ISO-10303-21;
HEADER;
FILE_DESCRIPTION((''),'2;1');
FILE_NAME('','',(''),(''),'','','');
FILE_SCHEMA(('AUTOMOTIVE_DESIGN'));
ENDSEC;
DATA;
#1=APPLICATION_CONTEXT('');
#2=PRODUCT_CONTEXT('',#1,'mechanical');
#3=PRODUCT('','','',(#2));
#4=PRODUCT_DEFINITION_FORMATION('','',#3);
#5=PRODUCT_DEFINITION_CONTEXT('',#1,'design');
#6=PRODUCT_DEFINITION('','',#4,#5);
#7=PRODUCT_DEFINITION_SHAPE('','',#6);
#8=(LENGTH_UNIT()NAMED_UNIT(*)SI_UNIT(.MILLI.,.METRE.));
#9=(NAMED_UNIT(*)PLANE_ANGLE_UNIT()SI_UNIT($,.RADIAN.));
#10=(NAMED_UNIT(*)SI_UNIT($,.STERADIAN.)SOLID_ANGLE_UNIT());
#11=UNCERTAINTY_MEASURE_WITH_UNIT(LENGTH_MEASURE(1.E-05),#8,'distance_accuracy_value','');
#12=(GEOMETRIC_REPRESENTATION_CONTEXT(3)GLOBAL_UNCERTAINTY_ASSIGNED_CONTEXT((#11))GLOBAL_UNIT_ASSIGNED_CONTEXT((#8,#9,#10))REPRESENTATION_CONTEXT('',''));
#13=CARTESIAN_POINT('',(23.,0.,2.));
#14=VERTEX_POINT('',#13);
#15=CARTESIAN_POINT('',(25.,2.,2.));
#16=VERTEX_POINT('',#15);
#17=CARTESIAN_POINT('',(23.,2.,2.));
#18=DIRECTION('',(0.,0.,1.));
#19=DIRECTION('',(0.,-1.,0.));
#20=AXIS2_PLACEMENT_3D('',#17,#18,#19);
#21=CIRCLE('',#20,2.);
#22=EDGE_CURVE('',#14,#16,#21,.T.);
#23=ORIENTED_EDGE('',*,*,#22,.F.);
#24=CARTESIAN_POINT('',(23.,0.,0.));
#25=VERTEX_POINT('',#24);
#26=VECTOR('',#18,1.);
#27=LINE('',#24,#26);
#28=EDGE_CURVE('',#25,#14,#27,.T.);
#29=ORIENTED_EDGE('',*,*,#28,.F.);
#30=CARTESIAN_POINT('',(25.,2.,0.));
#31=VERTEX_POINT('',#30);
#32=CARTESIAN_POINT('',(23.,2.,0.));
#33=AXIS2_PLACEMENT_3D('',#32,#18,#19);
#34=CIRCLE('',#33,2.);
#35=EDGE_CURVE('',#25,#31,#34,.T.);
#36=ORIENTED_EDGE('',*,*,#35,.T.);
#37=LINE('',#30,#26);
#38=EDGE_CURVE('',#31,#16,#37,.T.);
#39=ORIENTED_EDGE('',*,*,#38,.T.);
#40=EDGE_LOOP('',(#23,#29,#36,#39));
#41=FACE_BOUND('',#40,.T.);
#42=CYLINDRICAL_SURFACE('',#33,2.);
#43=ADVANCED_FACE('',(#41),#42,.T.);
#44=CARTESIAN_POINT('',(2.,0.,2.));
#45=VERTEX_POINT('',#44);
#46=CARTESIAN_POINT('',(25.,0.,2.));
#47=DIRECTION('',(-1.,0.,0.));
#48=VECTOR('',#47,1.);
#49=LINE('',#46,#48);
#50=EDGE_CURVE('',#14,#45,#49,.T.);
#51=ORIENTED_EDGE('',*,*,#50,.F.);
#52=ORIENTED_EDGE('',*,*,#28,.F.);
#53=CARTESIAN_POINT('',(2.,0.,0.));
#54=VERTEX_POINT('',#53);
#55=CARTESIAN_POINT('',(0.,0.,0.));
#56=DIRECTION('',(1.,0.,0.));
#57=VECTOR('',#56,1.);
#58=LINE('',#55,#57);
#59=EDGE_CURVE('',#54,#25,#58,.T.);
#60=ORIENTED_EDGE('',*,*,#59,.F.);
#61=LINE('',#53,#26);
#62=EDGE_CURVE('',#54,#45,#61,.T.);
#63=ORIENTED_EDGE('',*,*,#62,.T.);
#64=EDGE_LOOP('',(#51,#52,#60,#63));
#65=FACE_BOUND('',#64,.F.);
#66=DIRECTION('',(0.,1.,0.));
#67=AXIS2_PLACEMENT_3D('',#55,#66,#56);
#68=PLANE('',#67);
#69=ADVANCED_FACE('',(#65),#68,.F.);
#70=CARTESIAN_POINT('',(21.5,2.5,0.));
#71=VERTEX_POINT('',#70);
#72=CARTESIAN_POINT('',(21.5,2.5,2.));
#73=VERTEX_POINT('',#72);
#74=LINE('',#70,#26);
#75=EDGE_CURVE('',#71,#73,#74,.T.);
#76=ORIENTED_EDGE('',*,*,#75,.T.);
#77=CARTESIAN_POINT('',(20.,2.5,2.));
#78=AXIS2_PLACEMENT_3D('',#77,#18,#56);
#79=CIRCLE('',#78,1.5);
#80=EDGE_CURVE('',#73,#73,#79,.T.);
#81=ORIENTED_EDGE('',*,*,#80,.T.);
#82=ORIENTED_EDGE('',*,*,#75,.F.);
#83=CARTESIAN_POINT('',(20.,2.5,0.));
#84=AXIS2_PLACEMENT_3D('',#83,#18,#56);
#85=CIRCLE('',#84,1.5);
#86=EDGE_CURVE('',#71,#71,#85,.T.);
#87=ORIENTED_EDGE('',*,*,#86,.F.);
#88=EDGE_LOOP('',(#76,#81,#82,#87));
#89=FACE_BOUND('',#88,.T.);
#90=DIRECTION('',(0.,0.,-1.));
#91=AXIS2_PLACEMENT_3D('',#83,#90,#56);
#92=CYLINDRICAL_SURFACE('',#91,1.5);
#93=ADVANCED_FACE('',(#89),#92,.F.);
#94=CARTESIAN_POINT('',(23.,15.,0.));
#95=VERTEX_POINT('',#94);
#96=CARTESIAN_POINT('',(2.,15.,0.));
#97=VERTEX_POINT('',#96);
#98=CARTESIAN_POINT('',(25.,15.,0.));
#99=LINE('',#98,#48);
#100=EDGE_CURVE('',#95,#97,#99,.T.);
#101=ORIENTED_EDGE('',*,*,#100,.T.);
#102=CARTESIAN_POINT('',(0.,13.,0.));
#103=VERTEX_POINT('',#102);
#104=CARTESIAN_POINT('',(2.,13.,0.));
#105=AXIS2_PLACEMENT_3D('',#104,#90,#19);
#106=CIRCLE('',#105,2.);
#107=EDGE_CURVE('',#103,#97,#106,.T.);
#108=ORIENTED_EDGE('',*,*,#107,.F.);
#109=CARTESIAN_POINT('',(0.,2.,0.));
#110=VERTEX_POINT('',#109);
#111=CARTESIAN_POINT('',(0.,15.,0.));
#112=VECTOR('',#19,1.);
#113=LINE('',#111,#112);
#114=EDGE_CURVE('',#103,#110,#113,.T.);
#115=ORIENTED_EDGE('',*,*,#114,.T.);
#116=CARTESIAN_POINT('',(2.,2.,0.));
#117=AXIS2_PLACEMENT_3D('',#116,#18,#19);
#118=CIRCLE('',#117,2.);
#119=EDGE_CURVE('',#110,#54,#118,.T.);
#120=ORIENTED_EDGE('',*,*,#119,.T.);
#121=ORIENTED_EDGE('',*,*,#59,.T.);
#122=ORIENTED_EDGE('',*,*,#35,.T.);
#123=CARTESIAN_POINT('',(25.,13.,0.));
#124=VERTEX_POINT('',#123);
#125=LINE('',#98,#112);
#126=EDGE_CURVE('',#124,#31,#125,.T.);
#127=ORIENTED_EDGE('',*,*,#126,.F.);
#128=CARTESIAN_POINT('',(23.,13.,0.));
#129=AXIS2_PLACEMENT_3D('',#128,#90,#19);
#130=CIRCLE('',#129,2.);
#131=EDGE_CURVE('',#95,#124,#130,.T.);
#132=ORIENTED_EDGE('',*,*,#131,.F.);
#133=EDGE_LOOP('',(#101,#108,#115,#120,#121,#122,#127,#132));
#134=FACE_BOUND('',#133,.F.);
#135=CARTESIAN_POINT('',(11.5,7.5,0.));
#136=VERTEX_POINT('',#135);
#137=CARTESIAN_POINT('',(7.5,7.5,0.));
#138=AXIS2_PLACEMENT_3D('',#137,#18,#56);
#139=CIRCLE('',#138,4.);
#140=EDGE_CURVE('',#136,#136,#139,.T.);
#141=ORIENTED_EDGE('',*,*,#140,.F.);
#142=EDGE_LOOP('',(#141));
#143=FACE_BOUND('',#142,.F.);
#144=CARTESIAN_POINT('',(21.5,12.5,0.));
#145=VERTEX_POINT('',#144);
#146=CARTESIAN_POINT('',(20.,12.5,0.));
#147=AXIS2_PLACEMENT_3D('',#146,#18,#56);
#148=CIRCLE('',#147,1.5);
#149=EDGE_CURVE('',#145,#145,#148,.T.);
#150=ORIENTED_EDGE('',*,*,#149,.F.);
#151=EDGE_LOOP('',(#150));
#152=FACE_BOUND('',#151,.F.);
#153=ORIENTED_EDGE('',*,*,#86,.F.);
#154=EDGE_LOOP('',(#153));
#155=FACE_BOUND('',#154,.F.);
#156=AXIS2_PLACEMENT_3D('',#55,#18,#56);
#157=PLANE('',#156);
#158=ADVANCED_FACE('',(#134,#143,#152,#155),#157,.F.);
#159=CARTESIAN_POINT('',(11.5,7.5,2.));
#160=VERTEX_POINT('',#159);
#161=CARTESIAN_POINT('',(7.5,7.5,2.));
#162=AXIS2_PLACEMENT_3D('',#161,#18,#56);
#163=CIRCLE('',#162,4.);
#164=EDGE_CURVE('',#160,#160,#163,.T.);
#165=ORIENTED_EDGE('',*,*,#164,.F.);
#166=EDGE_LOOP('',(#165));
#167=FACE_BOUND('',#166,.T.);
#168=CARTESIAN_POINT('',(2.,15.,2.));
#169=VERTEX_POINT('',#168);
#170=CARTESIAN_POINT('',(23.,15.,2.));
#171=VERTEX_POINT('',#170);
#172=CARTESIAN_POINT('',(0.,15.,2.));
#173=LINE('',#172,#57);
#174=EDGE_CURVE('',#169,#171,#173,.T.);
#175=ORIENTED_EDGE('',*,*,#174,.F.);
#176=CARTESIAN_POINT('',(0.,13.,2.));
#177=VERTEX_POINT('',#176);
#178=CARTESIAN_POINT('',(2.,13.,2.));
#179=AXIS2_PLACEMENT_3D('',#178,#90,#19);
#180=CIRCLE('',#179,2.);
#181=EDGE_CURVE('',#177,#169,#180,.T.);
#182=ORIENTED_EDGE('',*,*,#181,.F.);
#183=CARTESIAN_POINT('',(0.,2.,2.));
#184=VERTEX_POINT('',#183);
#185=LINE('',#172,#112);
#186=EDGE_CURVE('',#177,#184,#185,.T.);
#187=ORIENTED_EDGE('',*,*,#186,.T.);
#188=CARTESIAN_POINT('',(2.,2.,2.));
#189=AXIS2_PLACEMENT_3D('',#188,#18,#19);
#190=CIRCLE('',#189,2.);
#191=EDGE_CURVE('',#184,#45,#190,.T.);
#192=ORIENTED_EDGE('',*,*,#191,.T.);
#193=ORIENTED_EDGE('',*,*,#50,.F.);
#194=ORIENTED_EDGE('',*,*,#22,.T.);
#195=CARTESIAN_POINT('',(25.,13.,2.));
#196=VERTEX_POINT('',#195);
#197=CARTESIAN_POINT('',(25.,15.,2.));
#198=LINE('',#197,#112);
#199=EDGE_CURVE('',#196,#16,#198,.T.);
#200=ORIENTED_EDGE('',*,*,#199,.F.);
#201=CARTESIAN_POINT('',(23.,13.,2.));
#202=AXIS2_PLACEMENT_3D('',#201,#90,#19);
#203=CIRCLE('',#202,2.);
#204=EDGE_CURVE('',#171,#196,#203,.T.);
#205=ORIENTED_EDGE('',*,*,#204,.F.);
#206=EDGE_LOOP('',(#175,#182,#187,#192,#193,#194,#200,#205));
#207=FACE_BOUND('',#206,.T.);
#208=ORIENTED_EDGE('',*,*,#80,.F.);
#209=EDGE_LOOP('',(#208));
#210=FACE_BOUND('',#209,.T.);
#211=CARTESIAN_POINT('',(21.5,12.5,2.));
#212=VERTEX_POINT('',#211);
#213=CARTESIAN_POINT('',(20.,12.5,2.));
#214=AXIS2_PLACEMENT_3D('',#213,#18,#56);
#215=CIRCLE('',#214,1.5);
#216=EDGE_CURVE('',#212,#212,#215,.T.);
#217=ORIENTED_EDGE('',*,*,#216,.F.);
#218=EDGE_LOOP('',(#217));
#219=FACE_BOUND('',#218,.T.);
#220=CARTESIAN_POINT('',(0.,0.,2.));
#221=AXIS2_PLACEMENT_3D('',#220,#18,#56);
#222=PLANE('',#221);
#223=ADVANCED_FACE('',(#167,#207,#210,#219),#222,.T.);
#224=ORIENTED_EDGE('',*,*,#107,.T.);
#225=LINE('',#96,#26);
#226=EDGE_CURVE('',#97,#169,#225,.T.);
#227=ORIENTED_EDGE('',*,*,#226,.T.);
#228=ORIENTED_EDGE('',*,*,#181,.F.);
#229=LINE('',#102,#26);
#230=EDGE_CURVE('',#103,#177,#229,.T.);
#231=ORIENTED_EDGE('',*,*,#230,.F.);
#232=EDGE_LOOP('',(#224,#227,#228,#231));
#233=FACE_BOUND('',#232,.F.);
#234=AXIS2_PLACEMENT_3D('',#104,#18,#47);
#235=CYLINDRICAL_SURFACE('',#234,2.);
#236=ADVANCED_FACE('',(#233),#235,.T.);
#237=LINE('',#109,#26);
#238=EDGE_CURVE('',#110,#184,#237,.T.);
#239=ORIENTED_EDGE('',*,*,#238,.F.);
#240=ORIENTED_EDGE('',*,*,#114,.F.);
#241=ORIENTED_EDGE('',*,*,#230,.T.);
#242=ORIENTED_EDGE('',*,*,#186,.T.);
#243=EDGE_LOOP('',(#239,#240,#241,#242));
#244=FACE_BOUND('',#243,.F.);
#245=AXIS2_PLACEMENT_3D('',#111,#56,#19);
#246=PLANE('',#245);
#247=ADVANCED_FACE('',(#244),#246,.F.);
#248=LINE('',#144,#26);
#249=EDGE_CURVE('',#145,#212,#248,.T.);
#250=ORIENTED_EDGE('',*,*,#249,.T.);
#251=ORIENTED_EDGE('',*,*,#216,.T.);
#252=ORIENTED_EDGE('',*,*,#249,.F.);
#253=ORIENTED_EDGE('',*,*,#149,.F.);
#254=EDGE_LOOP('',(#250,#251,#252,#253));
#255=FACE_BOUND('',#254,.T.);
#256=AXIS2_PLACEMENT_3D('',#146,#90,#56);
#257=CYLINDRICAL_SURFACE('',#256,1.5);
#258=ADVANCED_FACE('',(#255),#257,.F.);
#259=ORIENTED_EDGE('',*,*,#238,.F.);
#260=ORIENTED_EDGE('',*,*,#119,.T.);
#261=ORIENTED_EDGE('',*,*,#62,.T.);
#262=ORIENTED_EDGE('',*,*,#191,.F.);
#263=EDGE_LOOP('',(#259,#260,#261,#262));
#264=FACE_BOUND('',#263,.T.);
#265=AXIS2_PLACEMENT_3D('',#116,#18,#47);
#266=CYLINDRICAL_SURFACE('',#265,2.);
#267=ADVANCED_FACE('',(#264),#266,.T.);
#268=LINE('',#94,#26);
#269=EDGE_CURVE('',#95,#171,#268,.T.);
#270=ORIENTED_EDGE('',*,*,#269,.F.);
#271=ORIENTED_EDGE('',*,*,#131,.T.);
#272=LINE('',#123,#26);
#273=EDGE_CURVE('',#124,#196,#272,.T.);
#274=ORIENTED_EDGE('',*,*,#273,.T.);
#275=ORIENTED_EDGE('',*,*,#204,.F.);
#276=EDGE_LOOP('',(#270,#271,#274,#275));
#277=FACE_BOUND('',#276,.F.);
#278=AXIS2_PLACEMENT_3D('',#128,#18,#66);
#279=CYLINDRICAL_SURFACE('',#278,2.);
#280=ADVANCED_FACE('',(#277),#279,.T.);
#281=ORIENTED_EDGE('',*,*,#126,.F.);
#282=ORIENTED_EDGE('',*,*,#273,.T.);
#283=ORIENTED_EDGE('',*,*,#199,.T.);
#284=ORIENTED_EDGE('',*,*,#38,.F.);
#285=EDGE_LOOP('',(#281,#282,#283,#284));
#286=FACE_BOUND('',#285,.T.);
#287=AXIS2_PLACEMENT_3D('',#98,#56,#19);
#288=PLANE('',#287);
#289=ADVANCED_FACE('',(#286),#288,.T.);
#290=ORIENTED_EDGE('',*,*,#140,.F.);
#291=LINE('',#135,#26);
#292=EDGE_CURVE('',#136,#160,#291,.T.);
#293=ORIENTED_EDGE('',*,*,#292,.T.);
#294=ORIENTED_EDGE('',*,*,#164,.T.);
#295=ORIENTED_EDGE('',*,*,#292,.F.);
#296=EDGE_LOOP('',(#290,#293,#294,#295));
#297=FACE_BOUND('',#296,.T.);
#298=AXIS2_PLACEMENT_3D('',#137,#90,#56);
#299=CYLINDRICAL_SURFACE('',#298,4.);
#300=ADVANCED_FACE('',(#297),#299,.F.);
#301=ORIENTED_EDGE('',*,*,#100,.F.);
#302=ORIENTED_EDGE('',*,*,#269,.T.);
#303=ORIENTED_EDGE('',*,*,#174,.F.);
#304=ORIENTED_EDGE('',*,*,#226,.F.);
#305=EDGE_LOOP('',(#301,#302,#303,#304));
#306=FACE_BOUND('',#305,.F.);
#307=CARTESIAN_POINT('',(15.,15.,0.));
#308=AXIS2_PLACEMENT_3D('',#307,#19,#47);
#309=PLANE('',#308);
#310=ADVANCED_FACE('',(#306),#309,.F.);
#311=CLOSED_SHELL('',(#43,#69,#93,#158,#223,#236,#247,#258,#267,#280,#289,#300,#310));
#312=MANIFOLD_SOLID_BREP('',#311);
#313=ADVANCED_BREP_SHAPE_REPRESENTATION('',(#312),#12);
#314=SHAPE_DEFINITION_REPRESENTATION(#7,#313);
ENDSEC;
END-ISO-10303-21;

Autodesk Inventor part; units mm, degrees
ref_plane "YZ Plane" through (0, 0, 0) normal (1, 0, 0) x (0, 1, 0)
ref_plane "XZ Plane" through (0, 0, 0) normal (0, 1, 0) x (-1, 0, 0)
ref_plane "XY Plane" through (0, 0, 0) normal (0, 0, 1) x (1, 0, 0)
sketch "スケッチ1" plane through (0, 0, 0) normal (0, 0, 1) x (1, 0, 0)
  line L0 (0, 0) -> (15, 0)
  line L1 (15, 0) -> (15, 15)
  line L2 (15, 15) -> (0, 15)
  line L3 (0, 15) -> (0, 0)
  circle A0 centre (7.5, 7.5) radius 4
  line L4 (15, 15) -> (25, 15)
  line L5 (25, 15) -> (25, 0)
  line L6 (25, 0) -> (15, 0)
  line L7 (15, 0) -> (15, 15)
  circle A1 centre (20, 12.5) radius 1.5
  circle A2 centre (20, 2.5) radius 1.5
  dimension "d0" = 15
  dimension "d1" = 15
  dimension "d2" = 8
  dimension "d3" = 7.5
  dimension "d4" = 7.5
  dimension "d5" = 10
  dimension "d6" = 10
  dimension "d7" = 2.5
  dimension "d8" = 2.5
  dimension "d9" = 3
  dimension "d10" = 3
extrude "押し出し1" add sketch "スケッチ1" along normal blind 2
fillet "フィレット1" radius 2 4 edges at (0, 15, 1) (0, 0, 1) (25, 0, 1) (25, 15, 1)
equation "\"d1\" = d0"
equation "\"d3\" = 0.5 * d0"
equation "\"d4\" = 0.5 * d1"
properties part number "finger_al_mk_1" material "アルミニウム 6061-AHC"
